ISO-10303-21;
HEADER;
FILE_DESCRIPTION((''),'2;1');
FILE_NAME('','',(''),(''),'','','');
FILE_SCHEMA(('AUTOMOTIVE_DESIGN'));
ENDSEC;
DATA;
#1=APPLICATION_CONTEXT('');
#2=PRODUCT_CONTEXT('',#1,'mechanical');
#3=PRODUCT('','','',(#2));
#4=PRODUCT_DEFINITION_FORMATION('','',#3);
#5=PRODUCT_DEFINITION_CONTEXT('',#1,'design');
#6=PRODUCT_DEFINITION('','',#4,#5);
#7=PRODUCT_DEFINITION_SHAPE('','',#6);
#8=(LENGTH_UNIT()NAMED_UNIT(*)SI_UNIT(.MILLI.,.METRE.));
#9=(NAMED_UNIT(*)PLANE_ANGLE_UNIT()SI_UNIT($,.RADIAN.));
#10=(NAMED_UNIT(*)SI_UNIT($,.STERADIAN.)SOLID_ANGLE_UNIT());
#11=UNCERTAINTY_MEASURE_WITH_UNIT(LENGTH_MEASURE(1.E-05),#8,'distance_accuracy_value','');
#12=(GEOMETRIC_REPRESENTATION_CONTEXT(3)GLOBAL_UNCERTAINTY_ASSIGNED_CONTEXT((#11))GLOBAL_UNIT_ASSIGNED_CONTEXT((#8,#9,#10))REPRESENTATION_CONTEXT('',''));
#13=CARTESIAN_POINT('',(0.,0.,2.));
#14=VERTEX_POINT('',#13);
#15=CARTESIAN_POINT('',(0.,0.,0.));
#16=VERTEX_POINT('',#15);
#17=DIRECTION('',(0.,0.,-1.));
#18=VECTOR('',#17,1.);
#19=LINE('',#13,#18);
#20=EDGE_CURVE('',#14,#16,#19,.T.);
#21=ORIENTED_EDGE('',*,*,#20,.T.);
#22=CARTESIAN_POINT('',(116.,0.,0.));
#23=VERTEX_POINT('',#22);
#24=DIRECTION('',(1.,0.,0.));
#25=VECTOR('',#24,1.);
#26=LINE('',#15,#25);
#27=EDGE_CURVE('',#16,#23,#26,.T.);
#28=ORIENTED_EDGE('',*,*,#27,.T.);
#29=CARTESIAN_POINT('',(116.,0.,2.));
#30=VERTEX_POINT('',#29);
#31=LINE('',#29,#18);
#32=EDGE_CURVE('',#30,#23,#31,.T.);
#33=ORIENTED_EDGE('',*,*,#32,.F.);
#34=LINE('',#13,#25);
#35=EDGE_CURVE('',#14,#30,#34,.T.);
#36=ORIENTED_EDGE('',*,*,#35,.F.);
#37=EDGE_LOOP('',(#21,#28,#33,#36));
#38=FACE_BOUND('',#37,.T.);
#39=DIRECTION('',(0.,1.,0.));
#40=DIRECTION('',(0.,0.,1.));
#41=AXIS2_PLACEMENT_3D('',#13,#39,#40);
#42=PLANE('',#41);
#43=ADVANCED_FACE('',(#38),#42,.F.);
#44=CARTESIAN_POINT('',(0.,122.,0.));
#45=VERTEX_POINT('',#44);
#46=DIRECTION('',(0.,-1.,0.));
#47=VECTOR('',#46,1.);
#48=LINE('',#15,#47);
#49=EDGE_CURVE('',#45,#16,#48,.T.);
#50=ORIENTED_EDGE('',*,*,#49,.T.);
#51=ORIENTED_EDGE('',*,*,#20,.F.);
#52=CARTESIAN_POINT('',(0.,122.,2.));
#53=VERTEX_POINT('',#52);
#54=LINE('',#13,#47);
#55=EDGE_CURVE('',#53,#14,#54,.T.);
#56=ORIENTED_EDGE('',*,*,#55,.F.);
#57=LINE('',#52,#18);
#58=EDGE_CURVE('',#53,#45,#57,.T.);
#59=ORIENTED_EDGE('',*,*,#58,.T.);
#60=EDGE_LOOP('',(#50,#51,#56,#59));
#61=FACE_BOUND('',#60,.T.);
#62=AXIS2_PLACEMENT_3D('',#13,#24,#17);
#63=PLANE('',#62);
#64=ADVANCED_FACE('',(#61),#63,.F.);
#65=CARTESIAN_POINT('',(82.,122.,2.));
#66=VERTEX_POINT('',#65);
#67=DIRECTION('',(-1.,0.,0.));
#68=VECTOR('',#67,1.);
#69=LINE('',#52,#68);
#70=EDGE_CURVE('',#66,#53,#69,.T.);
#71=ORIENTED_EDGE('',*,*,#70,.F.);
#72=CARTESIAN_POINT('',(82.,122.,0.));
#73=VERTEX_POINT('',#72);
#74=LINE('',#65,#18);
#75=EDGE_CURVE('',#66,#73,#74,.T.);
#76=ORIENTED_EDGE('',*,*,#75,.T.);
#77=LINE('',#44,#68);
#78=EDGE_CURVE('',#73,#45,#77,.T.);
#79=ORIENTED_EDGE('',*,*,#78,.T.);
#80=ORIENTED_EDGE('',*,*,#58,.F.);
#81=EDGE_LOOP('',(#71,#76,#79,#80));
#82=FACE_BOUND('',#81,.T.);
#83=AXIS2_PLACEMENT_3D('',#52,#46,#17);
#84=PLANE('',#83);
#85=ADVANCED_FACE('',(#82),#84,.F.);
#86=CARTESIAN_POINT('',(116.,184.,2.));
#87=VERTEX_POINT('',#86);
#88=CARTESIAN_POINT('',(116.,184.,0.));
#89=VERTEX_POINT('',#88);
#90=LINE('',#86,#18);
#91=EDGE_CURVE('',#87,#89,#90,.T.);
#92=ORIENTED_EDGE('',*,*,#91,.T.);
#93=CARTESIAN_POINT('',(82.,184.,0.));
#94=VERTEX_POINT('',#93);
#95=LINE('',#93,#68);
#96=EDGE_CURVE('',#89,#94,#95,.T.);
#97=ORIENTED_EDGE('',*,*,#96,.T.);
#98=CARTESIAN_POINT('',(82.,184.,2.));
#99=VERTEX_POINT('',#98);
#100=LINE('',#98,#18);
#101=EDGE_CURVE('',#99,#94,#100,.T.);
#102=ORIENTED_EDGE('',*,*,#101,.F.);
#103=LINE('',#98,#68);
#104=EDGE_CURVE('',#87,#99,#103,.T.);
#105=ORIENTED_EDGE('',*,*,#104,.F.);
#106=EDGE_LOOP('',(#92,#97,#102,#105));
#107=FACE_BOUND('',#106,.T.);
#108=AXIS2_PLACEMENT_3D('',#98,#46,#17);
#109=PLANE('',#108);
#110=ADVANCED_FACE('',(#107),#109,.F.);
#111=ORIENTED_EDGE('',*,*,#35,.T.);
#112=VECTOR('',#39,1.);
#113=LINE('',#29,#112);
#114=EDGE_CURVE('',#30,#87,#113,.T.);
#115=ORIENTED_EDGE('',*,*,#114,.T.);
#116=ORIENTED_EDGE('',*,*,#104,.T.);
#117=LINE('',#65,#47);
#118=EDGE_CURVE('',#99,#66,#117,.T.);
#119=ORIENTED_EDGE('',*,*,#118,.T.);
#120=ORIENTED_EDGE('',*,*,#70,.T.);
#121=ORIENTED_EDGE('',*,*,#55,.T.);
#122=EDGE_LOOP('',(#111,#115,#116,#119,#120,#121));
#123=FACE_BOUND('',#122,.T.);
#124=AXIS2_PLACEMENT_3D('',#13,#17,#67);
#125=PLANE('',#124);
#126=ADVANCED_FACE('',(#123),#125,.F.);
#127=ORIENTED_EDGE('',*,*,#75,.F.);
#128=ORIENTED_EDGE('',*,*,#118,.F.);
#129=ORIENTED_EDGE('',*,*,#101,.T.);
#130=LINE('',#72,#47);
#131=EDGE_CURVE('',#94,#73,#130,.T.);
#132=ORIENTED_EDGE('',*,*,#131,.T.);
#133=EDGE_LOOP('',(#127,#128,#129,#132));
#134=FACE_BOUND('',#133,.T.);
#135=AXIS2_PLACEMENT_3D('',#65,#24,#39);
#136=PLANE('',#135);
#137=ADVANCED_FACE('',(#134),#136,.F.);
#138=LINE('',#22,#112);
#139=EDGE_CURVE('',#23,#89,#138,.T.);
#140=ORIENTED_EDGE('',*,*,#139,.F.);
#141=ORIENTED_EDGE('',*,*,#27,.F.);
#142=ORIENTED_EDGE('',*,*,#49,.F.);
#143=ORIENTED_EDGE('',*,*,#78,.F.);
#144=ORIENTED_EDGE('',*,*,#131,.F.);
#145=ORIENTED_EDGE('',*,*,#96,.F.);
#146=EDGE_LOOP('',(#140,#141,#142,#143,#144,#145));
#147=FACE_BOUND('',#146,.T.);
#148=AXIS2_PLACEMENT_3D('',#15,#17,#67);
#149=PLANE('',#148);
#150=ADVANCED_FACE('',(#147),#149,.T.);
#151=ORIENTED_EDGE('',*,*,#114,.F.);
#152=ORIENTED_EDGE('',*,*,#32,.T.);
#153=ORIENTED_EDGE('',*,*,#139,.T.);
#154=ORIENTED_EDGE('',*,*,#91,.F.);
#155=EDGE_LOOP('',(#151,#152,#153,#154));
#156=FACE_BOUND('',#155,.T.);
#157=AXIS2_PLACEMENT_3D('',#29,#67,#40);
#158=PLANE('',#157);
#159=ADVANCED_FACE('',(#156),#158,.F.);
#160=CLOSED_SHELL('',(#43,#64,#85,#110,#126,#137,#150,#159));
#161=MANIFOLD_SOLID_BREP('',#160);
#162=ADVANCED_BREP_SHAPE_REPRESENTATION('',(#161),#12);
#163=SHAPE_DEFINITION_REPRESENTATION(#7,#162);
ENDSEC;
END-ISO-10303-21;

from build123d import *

# Parameters (mm, degrees)
BOSS_EXTRU_1_DEPTH = 2


with BuildPart() as part:
    # Esquisse1 → Boss.-Extru.1 (new body)
    with BuildSketch(Plane.XY):
        Polygon((0, 122), (82, 122), (82, 184), (116, 184), (116, 0), (0, 0), align=None)
    extrude(amount=BOSS_EXTRU_1_DEPTH)


solid = part.part
